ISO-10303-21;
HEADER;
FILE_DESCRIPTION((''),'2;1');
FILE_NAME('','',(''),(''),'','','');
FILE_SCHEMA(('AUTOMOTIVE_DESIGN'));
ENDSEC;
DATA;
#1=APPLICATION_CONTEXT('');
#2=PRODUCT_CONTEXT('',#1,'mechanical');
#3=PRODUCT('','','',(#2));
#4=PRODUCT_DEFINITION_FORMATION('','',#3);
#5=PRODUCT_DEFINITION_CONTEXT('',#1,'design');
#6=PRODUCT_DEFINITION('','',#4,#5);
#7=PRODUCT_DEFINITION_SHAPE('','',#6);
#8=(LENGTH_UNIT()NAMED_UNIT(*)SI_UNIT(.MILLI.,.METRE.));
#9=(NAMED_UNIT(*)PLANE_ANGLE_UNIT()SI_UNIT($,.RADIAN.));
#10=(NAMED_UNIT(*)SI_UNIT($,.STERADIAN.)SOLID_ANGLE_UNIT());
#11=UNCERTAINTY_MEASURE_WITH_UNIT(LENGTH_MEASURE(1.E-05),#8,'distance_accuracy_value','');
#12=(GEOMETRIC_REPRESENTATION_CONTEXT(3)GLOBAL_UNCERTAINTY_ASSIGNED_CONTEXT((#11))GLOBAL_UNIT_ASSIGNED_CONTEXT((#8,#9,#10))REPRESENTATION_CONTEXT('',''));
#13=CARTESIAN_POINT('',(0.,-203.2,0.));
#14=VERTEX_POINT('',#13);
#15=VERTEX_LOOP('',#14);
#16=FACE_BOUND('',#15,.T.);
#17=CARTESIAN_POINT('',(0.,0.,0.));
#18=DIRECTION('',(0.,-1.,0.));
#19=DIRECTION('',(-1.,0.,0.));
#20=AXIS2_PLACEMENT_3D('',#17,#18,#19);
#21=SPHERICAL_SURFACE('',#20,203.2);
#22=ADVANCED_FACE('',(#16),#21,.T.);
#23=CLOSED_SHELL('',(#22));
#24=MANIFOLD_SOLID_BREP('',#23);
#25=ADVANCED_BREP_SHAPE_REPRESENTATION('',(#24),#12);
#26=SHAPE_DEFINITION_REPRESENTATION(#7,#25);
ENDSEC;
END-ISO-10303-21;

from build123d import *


with BuildPart() as part:
    # Sketch1 → Revolve2 (revolve)
    with BuildSketch(Plane.XY):
        with BuildLine():
            Line((0, -203.2), (0, 203.2))
            ThreePointArc((0, 203.2), (203.2, 0), (0, -203.2))
        make_face()
    revolve(axis=Axis((0, -223.52, 0), (0, 1, 0)))


solid = part.part
